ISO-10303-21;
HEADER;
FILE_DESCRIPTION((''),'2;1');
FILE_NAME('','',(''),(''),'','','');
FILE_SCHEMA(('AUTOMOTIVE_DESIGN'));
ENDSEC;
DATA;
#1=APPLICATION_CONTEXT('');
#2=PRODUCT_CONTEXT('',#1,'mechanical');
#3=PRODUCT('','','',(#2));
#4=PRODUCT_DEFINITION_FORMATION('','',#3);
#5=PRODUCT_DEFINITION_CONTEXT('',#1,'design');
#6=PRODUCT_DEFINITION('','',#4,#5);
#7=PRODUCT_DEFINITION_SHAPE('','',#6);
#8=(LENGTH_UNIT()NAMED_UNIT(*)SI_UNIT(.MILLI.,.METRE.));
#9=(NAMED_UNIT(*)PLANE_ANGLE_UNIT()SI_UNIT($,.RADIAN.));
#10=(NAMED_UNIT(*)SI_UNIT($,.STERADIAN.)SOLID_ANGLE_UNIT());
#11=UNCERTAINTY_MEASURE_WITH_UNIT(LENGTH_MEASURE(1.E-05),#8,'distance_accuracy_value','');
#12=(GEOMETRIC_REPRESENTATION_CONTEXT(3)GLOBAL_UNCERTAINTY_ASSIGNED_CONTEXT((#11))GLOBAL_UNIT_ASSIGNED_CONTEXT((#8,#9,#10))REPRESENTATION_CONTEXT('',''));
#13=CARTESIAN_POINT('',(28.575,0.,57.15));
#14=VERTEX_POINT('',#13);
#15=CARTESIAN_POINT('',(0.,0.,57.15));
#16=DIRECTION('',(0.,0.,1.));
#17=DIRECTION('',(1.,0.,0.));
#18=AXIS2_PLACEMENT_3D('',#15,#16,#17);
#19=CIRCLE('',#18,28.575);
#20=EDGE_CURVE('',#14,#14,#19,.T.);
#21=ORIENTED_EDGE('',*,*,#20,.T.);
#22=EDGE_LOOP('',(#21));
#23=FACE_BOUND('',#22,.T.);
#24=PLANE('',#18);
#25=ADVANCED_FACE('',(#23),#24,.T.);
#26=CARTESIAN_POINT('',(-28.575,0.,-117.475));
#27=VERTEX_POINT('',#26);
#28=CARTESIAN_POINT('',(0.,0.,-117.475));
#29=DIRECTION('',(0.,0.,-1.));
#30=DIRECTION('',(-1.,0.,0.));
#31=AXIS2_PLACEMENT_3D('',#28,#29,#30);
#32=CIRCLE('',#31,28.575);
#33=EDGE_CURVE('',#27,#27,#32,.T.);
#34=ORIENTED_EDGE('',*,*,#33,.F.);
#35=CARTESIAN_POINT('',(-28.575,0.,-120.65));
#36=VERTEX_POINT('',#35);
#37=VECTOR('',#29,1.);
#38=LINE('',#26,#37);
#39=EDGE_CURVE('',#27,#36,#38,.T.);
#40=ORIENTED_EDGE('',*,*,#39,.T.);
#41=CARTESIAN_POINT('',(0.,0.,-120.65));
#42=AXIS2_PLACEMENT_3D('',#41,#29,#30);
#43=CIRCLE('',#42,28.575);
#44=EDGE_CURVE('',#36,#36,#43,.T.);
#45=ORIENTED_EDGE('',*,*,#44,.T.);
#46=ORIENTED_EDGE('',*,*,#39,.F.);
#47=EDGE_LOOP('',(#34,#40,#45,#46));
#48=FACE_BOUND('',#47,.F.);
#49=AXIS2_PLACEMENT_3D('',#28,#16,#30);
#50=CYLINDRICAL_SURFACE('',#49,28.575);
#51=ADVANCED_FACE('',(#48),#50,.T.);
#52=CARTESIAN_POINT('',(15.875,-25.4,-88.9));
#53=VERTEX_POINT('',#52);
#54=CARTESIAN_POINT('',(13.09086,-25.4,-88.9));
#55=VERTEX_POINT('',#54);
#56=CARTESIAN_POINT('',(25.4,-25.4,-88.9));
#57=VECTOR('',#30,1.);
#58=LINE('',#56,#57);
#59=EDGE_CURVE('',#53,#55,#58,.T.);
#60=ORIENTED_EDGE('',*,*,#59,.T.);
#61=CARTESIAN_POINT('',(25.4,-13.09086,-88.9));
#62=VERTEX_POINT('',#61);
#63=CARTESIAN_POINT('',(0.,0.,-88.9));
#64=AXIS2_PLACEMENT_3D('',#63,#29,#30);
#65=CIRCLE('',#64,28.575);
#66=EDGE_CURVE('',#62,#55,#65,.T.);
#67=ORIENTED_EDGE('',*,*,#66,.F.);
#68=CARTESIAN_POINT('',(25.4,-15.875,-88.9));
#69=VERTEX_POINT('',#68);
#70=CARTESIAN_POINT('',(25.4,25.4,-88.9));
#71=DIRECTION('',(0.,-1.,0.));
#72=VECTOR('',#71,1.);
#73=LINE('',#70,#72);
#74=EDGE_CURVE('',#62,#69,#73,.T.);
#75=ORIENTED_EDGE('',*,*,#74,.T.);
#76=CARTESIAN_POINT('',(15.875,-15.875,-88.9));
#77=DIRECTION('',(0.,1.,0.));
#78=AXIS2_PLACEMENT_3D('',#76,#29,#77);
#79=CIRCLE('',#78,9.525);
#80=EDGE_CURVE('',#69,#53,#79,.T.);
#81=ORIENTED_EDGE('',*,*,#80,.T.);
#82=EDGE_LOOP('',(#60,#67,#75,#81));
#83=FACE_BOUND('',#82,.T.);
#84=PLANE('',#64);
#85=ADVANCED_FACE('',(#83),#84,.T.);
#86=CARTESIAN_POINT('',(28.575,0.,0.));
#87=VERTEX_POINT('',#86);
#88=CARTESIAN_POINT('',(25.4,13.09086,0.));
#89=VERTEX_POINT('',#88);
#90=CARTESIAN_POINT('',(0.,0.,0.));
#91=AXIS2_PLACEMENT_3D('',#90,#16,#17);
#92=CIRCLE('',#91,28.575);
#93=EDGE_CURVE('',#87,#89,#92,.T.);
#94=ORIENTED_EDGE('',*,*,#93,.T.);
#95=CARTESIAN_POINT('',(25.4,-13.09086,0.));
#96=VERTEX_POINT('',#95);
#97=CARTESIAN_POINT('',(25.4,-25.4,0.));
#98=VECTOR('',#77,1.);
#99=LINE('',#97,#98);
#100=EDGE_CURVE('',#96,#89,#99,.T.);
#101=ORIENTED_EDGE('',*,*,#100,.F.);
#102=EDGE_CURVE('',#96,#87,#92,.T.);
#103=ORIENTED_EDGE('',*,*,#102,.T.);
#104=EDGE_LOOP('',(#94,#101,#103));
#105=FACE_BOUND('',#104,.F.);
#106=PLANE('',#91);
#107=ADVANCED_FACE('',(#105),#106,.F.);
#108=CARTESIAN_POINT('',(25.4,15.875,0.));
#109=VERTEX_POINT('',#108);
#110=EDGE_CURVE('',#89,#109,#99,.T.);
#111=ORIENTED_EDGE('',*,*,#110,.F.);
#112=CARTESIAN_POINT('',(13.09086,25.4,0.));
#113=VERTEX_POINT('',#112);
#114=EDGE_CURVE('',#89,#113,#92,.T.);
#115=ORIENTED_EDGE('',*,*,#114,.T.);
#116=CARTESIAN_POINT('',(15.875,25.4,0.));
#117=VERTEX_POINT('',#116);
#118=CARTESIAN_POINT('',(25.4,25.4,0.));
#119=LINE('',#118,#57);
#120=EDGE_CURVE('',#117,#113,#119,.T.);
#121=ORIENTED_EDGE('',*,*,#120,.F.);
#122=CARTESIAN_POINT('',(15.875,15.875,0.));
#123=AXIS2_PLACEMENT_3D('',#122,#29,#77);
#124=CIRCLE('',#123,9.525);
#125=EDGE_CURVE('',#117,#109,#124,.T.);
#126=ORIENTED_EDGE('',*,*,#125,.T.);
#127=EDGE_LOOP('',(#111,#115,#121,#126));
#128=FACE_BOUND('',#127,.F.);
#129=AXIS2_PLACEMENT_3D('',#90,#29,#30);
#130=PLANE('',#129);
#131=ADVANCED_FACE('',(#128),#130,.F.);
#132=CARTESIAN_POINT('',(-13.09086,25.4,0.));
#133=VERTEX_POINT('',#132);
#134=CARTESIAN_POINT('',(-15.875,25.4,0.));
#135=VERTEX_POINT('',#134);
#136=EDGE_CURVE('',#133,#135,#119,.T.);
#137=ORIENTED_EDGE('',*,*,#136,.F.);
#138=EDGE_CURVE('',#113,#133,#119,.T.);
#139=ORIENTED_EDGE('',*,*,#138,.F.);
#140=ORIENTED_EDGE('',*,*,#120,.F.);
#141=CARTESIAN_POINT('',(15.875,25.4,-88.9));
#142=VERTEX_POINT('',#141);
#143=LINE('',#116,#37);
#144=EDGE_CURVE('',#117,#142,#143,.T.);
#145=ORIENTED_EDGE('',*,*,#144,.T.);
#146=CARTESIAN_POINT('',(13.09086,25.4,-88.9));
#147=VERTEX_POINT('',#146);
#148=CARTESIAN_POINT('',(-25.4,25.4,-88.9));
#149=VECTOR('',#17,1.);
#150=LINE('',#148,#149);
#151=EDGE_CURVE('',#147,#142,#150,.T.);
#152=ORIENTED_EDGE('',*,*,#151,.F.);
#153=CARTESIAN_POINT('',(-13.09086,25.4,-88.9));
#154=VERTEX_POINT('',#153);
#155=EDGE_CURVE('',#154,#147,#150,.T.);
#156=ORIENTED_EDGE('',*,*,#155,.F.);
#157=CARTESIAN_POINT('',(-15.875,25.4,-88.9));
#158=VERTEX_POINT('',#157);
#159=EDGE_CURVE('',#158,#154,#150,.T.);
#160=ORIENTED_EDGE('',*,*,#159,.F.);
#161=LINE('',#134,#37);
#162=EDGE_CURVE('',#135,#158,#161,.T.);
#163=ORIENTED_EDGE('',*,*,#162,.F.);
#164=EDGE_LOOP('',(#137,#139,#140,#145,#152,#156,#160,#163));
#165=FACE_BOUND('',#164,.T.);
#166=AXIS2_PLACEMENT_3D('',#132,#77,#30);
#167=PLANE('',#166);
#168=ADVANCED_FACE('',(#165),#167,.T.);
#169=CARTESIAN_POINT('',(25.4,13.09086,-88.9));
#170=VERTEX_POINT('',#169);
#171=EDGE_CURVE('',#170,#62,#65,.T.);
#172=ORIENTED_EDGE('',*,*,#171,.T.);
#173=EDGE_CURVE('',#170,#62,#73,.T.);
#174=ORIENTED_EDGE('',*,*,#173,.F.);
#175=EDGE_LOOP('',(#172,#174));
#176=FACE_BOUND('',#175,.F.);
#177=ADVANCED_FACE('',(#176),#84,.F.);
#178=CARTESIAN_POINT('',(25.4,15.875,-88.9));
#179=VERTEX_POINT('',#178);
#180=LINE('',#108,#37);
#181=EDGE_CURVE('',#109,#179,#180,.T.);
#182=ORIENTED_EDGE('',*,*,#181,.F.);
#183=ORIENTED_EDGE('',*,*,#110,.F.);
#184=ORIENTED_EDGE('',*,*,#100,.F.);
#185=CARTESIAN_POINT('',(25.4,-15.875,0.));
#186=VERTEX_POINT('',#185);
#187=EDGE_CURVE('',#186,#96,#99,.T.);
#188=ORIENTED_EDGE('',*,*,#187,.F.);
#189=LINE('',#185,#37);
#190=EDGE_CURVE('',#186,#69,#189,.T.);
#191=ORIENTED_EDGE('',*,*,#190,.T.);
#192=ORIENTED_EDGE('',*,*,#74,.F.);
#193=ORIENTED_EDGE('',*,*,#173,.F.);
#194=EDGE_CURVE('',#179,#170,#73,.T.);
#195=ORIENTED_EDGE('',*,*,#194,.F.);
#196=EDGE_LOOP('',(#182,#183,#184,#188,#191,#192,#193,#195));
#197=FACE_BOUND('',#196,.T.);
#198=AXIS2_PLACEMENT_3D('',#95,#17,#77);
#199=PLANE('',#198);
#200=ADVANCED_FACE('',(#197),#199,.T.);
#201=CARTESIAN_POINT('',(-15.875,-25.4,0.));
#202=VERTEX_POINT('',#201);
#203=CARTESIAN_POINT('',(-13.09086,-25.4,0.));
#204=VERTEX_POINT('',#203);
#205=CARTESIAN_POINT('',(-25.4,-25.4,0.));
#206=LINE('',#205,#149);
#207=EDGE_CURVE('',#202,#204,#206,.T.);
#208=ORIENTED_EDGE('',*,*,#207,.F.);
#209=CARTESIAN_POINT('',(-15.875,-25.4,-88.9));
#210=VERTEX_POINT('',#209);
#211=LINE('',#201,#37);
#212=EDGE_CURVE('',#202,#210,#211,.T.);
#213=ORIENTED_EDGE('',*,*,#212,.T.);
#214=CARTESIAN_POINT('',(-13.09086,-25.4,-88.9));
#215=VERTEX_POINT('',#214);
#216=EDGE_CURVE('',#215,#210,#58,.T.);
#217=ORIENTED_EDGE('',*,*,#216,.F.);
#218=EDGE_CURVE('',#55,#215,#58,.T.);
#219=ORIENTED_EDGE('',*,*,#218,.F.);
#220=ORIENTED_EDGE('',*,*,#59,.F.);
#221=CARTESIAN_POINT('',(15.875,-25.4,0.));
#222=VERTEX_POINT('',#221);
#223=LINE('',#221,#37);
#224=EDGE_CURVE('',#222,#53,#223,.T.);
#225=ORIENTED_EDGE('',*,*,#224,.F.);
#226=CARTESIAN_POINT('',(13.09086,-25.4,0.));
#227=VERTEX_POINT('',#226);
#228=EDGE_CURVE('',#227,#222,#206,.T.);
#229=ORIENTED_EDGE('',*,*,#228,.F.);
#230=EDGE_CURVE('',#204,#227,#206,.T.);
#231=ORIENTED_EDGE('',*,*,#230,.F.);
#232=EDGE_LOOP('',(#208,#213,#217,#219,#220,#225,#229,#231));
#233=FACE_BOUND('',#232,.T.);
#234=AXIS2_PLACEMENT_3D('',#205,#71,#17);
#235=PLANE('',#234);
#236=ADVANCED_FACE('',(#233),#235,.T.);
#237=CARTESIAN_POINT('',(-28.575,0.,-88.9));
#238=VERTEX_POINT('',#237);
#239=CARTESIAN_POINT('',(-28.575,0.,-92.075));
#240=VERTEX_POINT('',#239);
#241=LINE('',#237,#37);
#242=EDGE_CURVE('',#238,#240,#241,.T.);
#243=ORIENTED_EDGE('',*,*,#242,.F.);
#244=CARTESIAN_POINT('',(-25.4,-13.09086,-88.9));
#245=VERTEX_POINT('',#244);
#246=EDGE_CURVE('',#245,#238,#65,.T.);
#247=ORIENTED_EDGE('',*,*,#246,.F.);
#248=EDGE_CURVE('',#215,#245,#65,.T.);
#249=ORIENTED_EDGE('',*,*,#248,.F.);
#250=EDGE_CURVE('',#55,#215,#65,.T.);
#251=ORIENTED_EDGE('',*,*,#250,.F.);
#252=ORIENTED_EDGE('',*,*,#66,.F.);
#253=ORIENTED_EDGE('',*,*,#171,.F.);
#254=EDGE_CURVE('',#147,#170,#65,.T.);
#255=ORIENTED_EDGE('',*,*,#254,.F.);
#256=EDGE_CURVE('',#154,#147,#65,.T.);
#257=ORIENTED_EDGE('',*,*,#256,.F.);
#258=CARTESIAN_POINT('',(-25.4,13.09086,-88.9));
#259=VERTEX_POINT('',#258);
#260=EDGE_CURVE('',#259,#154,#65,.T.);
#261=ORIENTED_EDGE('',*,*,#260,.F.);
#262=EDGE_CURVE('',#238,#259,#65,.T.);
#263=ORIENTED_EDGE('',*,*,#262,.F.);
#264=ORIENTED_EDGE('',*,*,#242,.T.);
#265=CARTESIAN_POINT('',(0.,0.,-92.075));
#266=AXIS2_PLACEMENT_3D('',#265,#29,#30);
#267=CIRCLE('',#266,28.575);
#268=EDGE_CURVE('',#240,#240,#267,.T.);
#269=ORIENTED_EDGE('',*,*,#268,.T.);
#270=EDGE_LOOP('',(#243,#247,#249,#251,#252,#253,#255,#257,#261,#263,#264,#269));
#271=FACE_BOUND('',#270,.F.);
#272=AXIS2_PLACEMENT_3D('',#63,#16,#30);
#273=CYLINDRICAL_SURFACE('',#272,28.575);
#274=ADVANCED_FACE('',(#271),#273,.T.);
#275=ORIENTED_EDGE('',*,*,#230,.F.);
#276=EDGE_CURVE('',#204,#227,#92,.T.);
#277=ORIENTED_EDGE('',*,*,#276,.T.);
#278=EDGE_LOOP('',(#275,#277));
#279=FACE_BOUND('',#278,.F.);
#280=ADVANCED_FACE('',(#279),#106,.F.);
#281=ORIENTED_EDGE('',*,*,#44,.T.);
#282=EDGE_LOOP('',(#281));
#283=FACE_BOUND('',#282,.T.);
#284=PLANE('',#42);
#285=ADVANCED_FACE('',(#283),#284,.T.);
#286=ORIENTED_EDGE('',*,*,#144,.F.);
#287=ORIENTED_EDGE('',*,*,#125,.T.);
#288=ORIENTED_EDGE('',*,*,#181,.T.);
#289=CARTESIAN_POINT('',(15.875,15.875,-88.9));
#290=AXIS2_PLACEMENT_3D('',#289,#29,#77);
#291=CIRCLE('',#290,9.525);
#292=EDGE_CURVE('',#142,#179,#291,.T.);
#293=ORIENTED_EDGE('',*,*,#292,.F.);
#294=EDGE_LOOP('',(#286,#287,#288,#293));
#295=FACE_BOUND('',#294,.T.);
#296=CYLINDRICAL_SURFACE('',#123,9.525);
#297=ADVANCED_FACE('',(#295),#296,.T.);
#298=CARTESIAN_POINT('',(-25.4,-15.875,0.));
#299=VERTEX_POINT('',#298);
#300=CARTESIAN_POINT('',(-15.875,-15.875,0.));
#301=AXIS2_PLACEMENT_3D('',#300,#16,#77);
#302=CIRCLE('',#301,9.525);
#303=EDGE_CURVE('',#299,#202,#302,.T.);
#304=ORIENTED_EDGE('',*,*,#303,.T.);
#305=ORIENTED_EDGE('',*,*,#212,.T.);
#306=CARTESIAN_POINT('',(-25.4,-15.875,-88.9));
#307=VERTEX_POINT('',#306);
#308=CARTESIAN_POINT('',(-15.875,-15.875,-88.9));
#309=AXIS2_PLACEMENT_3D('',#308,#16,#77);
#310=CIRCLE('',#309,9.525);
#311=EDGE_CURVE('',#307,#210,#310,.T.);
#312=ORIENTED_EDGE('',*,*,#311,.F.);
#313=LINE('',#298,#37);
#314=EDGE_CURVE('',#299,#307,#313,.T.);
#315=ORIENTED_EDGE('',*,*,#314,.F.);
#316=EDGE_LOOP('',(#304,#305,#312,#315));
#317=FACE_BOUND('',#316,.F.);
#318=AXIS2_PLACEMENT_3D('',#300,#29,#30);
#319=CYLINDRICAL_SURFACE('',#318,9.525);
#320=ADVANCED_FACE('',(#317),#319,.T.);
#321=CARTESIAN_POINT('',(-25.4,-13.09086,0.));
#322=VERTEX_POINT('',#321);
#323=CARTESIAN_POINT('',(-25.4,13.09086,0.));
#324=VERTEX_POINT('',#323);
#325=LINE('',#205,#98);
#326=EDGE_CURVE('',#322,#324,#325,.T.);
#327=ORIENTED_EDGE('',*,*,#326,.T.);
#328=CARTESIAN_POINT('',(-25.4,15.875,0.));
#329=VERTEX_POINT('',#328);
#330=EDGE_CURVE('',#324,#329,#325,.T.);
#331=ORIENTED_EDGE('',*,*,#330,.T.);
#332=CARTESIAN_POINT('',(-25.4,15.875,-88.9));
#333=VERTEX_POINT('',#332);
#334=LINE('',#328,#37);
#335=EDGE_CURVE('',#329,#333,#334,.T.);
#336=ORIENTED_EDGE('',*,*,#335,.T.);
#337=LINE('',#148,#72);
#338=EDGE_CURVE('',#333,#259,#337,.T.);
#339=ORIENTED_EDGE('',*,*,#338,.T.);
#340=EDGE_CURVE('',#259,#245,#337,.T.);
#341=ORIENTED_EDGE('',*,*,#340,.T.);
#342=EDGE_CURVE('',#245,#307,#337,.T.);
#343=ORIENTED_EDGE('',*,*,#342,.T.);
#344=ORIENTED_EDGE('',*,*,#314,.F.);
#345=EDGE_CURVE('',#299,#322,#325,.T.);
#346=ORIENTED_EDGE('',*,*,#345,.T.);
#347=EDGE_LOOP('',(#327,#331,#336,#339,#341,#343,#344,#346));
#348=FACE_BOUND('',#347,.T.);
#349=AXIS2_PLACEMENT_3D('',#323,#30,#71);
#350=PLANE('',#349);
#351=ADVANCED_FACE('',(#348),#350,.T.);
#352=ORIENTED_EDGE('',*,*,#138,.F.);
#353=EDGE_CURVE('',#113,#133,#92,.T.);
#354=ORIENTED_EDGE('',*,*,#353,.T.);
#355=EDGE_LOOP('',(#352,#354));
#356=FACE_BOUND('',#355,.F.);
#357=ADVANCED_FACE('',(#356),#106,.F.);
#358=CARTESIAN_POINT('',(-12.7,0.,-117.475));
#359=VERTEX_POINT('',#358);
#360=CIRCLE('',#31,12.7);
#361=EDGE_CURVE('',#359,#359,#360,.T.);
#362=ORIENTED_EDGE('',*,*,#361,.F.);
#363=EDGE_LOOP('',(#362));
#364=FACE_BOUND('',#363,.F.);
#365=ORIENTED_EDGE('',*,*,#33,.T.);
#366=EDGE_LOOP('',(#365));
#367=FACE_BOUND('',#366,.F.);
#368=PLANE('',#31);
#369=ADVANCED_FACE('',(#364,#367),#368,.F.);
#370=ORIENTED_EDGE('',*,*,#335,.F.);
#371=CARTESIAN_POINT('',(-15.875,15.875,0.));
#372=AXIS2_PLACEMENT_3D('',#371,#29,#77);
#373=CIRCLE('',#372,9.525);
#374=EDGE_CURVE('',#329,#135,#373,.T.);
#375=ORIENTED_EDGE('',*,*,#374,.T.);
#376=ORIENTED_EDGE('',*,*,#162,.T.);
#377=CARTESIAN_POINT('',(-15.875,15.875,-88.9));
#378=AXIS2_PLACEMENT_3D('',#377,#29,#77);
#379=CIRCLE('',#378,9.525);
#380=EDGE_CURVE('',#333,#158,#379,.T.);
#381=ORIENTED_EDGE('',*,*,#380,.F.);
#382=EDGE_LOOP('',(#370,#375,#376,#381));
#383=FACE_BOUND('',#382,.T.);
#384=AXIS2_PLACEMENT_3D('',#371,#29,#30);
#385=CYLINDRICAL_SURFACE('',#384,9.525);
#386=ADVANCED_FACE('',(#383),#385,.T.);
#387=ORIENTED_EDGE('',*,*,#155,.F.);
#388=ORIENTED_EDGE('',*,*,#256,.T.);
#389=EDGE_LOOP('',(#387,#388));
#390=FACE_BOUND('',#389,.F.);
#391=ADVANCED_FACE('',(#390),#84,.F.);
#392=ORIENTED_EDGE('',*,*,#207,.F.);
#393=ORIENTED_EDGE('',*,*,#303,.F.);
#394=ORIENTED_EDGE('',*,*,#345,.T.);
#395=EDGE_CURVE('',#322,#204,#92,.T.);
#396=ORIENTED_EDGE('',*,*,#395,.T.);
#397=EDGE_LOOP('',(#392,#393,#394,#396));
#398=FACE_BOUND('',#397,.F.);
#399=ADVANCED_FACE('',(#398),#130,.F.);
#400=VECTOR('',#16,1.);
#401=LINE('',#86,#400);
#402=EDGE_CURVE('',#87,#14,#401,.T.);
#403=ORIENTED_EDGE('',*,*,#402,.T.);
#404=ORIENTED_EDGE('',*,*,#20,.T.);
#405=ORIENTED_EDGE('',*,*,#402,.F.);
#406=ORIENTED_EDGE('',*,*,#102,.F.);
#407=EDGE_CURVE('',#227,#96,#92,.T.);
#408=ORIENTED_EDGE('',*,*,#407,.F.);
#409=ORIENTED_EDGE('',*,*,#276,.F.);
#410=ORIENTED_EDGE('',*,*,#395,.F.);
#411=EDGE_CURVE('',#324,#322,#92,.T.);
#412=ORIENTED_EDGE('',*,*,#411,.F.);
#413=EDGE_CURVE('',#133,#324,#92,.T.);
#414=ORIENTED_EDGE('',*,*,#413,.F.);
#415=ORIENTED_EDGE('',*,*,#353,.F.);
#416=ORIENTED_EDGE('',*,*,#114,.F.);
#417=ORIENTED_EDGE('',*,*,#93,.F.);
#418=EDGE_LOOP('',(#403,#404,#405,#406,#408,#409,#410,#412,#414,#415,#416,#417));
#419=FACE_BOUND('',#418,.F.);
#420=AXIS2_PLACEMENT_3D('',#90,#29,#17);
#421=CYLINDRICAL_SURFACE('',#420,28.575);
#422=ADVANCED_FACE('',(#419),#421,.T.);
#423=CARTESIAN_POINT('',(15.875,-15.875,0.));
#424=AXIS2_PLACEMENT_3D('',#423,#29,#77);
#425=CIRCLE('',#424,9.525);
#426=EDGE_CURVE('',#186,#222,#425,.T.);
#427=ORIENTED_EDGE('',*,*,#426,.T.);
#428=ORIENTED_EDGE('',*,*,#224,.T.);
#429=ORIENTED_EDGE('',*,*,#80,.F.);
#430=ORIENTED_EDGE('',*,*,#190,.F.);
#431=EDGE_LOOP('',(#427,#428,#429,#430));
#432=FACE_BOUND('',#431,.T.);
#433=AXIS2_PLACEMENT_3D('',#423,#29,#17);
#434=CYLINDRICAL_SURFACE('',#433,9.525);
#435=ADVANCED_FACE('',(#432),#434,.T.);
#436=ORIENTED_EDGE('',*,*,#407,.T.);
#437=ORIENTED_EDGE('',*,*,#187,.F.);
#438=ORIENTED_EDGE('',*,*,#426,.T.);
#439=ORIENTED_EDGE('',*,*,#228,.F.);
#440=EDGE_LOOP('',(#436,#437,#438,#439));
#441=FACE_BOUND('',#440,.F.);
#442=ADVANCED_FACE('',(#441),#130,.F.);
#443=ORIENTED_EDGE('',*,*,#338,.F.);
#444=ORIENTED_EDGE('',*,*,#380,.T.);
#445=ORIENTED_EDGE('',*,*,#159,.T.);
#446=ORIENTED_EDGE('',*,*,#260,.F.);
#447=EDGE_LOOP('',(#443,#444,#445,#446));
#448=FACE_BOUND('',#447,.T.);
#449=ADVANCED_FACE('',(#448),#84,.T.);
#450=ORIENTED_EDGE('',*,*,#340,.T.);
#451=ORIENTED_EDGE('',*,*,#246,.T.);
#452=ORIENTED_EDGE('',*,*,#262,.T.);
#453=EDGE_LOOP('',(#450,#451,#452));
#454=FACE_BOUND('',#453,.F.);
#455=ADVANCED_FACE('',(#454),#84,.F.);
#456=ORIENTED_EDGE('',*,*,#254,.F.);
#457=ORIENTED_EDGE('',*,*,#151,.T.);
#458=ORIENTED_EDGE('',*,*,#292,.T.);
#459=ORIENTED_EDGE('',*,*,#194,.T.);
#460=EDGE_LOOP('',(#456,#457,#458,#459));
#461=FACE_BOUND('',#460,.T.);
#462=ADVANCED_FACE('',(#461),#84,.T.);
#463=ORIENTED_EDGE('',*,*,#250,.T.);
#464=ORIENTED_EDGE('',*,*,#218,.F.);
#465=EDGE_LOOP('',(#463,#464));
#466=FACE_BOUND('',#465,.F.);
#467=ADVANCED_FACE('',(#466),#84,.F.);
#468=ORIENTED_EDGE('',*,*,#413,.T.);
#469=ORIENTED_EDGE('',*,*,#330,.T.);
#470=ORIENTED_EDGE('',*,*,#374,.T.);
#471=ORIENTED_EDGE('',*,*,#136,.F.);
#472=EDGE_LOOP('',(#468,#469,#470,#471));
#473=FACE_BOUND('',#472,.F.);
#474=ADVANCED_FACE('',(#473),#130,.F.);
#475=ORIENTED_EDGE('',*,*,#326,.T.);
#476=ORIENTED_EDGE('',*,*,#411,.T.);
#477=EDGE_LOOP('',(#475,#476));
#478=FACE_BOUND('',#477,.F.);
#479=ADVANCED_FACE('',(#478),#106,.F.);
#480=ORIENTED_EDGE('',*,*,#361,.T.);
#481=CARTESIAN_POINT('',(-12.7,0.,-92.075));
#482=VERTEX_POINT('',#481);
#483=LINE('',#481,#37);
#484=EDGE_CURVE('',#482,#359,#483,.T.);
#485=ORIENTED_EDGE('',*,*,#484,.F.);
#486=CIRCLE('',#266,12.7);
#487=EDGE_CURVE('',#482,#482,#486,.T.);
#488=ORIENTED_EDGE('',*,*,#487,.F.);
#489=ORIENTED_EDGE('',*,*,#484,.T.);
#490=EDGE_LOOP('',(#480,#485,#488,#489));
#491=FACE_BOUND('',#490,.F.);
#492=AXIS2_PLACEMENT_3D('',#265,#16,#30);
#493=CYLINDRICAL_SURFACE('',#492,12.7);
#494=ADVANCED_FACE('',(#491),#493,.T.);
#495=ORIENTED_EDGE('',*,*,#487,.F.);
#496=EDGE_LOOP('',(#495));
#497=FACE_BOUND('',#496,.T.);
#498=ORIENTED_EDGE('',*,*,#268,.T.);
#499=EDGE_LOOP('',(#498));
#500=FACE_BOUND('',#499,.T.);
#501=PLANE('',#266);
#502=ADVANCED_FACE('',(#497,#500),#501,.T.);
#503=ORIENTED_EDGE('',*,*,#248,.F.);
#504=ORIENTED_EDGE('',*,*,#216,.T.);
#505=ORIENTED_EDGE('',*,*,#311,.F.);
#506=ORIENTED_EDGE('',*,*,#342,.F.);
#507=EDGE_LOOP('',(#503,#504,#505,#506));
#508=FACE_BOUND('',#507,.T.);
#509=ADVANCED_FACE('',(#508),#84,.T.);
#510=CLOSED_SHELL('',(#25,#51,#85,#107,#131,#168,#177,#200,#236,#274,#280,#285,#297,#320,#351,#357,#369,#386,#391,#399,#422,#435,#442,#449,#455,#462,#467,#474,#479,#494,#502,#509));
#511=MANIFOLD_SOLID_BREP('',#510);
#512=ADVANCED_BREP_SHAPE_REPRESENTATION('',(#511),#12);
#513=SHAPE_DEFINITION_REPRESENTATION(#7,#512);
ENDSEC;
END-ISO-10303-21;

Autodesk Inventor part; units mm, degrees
ref_plane "YZ Plane" through (0, 0, 0) normal (1, 0, 0) x (0, 1, 0)
ref_plane "XZ Plane" through (0, 0, 0) normal (0, 1, 0) x (-1, 0, 0)
ref_plane "XY Plane" through (0, 0, 0) normal (0, 0, 1) x (1, 0, 0)
sketch "Sketch1" plane through (0, 0, 0) normal (0, 0, 1) x (1, 0, 0)
  circle A0 centre (0, 0) radius 28.575
  dimension "d0" = 57.15
extrude "Extrusion1" add sketch "Sketch1" along normal blind 57.15
sketch "Sketch2" plane through (0, 0, 0) normal (0, 0, -1) x (-1, 0, 0)
  circle A0 centre (0, 0) radius 28.575 projected
  line L0 (-25.4, 25.4) -> (25.4, 25.4)
  line L1 (25.4, 25.4) -> (25.4, -25.4)
  line L2 (25.4, -25.4) -> (-25.4, -25.4)
  line L3 (-25.4, -25.4) -> (-25.4, 25.4)
  dimension "d4" = 25.4
  dimension "d5" = 25.4
  dimension "d6" = 25.4
  dimension "d7" = 25.4
extrude "Extrusion2" add sketch "Sketch2" along normal blind 88.9 contours L1 A0 L2 L3 L0 | A0 L0 L1 | L1 L2 A0 | A0 L3 L0 | L2 L3 A0
sketch "Sketch3" plane through (0, 0, -88.9) normal (0, 0, -1) x (-1, 0, 0)
  circle A0 centre (0, 0) radius 28.575
  dimension "d10" = 57.15
extrude "Extrusion3" add sketch "Sketch3" along normal blind 3.175
sketch "Sketch4" plane through (0, 0, -92.075) normal (0, 0, -1) x (-1, 0, 0)
  circle A0 centre (0, 0) radius 12.7
  dimension "d13" = 25.4
extrude "Extrusion4" add sketch "Sketch4" along normal blind 25.4
sketch "Sketch5" plane through (0, 0, -117.475) normal (0, 0, -1) x (-1, 0, 0)
  circle A0 centre (0, 0) radius 28.575
  dimension "d16" = 57.15
extrude "Extrusion5" add sketch "Sketch5" along normal blind 3.175
fillet "Fillet1" radius 9.525 4 edges at (25.4, 25.4, -44.45) (-25.4, 25.4, -44.45) (25.4, -25.4, -44.45) (-25.4, -25.4, -44.45)
equation "\"d4\" = d5"
equation "\"d7\" = d6"
properties part number "ScissorLiftMotorApproximation"
